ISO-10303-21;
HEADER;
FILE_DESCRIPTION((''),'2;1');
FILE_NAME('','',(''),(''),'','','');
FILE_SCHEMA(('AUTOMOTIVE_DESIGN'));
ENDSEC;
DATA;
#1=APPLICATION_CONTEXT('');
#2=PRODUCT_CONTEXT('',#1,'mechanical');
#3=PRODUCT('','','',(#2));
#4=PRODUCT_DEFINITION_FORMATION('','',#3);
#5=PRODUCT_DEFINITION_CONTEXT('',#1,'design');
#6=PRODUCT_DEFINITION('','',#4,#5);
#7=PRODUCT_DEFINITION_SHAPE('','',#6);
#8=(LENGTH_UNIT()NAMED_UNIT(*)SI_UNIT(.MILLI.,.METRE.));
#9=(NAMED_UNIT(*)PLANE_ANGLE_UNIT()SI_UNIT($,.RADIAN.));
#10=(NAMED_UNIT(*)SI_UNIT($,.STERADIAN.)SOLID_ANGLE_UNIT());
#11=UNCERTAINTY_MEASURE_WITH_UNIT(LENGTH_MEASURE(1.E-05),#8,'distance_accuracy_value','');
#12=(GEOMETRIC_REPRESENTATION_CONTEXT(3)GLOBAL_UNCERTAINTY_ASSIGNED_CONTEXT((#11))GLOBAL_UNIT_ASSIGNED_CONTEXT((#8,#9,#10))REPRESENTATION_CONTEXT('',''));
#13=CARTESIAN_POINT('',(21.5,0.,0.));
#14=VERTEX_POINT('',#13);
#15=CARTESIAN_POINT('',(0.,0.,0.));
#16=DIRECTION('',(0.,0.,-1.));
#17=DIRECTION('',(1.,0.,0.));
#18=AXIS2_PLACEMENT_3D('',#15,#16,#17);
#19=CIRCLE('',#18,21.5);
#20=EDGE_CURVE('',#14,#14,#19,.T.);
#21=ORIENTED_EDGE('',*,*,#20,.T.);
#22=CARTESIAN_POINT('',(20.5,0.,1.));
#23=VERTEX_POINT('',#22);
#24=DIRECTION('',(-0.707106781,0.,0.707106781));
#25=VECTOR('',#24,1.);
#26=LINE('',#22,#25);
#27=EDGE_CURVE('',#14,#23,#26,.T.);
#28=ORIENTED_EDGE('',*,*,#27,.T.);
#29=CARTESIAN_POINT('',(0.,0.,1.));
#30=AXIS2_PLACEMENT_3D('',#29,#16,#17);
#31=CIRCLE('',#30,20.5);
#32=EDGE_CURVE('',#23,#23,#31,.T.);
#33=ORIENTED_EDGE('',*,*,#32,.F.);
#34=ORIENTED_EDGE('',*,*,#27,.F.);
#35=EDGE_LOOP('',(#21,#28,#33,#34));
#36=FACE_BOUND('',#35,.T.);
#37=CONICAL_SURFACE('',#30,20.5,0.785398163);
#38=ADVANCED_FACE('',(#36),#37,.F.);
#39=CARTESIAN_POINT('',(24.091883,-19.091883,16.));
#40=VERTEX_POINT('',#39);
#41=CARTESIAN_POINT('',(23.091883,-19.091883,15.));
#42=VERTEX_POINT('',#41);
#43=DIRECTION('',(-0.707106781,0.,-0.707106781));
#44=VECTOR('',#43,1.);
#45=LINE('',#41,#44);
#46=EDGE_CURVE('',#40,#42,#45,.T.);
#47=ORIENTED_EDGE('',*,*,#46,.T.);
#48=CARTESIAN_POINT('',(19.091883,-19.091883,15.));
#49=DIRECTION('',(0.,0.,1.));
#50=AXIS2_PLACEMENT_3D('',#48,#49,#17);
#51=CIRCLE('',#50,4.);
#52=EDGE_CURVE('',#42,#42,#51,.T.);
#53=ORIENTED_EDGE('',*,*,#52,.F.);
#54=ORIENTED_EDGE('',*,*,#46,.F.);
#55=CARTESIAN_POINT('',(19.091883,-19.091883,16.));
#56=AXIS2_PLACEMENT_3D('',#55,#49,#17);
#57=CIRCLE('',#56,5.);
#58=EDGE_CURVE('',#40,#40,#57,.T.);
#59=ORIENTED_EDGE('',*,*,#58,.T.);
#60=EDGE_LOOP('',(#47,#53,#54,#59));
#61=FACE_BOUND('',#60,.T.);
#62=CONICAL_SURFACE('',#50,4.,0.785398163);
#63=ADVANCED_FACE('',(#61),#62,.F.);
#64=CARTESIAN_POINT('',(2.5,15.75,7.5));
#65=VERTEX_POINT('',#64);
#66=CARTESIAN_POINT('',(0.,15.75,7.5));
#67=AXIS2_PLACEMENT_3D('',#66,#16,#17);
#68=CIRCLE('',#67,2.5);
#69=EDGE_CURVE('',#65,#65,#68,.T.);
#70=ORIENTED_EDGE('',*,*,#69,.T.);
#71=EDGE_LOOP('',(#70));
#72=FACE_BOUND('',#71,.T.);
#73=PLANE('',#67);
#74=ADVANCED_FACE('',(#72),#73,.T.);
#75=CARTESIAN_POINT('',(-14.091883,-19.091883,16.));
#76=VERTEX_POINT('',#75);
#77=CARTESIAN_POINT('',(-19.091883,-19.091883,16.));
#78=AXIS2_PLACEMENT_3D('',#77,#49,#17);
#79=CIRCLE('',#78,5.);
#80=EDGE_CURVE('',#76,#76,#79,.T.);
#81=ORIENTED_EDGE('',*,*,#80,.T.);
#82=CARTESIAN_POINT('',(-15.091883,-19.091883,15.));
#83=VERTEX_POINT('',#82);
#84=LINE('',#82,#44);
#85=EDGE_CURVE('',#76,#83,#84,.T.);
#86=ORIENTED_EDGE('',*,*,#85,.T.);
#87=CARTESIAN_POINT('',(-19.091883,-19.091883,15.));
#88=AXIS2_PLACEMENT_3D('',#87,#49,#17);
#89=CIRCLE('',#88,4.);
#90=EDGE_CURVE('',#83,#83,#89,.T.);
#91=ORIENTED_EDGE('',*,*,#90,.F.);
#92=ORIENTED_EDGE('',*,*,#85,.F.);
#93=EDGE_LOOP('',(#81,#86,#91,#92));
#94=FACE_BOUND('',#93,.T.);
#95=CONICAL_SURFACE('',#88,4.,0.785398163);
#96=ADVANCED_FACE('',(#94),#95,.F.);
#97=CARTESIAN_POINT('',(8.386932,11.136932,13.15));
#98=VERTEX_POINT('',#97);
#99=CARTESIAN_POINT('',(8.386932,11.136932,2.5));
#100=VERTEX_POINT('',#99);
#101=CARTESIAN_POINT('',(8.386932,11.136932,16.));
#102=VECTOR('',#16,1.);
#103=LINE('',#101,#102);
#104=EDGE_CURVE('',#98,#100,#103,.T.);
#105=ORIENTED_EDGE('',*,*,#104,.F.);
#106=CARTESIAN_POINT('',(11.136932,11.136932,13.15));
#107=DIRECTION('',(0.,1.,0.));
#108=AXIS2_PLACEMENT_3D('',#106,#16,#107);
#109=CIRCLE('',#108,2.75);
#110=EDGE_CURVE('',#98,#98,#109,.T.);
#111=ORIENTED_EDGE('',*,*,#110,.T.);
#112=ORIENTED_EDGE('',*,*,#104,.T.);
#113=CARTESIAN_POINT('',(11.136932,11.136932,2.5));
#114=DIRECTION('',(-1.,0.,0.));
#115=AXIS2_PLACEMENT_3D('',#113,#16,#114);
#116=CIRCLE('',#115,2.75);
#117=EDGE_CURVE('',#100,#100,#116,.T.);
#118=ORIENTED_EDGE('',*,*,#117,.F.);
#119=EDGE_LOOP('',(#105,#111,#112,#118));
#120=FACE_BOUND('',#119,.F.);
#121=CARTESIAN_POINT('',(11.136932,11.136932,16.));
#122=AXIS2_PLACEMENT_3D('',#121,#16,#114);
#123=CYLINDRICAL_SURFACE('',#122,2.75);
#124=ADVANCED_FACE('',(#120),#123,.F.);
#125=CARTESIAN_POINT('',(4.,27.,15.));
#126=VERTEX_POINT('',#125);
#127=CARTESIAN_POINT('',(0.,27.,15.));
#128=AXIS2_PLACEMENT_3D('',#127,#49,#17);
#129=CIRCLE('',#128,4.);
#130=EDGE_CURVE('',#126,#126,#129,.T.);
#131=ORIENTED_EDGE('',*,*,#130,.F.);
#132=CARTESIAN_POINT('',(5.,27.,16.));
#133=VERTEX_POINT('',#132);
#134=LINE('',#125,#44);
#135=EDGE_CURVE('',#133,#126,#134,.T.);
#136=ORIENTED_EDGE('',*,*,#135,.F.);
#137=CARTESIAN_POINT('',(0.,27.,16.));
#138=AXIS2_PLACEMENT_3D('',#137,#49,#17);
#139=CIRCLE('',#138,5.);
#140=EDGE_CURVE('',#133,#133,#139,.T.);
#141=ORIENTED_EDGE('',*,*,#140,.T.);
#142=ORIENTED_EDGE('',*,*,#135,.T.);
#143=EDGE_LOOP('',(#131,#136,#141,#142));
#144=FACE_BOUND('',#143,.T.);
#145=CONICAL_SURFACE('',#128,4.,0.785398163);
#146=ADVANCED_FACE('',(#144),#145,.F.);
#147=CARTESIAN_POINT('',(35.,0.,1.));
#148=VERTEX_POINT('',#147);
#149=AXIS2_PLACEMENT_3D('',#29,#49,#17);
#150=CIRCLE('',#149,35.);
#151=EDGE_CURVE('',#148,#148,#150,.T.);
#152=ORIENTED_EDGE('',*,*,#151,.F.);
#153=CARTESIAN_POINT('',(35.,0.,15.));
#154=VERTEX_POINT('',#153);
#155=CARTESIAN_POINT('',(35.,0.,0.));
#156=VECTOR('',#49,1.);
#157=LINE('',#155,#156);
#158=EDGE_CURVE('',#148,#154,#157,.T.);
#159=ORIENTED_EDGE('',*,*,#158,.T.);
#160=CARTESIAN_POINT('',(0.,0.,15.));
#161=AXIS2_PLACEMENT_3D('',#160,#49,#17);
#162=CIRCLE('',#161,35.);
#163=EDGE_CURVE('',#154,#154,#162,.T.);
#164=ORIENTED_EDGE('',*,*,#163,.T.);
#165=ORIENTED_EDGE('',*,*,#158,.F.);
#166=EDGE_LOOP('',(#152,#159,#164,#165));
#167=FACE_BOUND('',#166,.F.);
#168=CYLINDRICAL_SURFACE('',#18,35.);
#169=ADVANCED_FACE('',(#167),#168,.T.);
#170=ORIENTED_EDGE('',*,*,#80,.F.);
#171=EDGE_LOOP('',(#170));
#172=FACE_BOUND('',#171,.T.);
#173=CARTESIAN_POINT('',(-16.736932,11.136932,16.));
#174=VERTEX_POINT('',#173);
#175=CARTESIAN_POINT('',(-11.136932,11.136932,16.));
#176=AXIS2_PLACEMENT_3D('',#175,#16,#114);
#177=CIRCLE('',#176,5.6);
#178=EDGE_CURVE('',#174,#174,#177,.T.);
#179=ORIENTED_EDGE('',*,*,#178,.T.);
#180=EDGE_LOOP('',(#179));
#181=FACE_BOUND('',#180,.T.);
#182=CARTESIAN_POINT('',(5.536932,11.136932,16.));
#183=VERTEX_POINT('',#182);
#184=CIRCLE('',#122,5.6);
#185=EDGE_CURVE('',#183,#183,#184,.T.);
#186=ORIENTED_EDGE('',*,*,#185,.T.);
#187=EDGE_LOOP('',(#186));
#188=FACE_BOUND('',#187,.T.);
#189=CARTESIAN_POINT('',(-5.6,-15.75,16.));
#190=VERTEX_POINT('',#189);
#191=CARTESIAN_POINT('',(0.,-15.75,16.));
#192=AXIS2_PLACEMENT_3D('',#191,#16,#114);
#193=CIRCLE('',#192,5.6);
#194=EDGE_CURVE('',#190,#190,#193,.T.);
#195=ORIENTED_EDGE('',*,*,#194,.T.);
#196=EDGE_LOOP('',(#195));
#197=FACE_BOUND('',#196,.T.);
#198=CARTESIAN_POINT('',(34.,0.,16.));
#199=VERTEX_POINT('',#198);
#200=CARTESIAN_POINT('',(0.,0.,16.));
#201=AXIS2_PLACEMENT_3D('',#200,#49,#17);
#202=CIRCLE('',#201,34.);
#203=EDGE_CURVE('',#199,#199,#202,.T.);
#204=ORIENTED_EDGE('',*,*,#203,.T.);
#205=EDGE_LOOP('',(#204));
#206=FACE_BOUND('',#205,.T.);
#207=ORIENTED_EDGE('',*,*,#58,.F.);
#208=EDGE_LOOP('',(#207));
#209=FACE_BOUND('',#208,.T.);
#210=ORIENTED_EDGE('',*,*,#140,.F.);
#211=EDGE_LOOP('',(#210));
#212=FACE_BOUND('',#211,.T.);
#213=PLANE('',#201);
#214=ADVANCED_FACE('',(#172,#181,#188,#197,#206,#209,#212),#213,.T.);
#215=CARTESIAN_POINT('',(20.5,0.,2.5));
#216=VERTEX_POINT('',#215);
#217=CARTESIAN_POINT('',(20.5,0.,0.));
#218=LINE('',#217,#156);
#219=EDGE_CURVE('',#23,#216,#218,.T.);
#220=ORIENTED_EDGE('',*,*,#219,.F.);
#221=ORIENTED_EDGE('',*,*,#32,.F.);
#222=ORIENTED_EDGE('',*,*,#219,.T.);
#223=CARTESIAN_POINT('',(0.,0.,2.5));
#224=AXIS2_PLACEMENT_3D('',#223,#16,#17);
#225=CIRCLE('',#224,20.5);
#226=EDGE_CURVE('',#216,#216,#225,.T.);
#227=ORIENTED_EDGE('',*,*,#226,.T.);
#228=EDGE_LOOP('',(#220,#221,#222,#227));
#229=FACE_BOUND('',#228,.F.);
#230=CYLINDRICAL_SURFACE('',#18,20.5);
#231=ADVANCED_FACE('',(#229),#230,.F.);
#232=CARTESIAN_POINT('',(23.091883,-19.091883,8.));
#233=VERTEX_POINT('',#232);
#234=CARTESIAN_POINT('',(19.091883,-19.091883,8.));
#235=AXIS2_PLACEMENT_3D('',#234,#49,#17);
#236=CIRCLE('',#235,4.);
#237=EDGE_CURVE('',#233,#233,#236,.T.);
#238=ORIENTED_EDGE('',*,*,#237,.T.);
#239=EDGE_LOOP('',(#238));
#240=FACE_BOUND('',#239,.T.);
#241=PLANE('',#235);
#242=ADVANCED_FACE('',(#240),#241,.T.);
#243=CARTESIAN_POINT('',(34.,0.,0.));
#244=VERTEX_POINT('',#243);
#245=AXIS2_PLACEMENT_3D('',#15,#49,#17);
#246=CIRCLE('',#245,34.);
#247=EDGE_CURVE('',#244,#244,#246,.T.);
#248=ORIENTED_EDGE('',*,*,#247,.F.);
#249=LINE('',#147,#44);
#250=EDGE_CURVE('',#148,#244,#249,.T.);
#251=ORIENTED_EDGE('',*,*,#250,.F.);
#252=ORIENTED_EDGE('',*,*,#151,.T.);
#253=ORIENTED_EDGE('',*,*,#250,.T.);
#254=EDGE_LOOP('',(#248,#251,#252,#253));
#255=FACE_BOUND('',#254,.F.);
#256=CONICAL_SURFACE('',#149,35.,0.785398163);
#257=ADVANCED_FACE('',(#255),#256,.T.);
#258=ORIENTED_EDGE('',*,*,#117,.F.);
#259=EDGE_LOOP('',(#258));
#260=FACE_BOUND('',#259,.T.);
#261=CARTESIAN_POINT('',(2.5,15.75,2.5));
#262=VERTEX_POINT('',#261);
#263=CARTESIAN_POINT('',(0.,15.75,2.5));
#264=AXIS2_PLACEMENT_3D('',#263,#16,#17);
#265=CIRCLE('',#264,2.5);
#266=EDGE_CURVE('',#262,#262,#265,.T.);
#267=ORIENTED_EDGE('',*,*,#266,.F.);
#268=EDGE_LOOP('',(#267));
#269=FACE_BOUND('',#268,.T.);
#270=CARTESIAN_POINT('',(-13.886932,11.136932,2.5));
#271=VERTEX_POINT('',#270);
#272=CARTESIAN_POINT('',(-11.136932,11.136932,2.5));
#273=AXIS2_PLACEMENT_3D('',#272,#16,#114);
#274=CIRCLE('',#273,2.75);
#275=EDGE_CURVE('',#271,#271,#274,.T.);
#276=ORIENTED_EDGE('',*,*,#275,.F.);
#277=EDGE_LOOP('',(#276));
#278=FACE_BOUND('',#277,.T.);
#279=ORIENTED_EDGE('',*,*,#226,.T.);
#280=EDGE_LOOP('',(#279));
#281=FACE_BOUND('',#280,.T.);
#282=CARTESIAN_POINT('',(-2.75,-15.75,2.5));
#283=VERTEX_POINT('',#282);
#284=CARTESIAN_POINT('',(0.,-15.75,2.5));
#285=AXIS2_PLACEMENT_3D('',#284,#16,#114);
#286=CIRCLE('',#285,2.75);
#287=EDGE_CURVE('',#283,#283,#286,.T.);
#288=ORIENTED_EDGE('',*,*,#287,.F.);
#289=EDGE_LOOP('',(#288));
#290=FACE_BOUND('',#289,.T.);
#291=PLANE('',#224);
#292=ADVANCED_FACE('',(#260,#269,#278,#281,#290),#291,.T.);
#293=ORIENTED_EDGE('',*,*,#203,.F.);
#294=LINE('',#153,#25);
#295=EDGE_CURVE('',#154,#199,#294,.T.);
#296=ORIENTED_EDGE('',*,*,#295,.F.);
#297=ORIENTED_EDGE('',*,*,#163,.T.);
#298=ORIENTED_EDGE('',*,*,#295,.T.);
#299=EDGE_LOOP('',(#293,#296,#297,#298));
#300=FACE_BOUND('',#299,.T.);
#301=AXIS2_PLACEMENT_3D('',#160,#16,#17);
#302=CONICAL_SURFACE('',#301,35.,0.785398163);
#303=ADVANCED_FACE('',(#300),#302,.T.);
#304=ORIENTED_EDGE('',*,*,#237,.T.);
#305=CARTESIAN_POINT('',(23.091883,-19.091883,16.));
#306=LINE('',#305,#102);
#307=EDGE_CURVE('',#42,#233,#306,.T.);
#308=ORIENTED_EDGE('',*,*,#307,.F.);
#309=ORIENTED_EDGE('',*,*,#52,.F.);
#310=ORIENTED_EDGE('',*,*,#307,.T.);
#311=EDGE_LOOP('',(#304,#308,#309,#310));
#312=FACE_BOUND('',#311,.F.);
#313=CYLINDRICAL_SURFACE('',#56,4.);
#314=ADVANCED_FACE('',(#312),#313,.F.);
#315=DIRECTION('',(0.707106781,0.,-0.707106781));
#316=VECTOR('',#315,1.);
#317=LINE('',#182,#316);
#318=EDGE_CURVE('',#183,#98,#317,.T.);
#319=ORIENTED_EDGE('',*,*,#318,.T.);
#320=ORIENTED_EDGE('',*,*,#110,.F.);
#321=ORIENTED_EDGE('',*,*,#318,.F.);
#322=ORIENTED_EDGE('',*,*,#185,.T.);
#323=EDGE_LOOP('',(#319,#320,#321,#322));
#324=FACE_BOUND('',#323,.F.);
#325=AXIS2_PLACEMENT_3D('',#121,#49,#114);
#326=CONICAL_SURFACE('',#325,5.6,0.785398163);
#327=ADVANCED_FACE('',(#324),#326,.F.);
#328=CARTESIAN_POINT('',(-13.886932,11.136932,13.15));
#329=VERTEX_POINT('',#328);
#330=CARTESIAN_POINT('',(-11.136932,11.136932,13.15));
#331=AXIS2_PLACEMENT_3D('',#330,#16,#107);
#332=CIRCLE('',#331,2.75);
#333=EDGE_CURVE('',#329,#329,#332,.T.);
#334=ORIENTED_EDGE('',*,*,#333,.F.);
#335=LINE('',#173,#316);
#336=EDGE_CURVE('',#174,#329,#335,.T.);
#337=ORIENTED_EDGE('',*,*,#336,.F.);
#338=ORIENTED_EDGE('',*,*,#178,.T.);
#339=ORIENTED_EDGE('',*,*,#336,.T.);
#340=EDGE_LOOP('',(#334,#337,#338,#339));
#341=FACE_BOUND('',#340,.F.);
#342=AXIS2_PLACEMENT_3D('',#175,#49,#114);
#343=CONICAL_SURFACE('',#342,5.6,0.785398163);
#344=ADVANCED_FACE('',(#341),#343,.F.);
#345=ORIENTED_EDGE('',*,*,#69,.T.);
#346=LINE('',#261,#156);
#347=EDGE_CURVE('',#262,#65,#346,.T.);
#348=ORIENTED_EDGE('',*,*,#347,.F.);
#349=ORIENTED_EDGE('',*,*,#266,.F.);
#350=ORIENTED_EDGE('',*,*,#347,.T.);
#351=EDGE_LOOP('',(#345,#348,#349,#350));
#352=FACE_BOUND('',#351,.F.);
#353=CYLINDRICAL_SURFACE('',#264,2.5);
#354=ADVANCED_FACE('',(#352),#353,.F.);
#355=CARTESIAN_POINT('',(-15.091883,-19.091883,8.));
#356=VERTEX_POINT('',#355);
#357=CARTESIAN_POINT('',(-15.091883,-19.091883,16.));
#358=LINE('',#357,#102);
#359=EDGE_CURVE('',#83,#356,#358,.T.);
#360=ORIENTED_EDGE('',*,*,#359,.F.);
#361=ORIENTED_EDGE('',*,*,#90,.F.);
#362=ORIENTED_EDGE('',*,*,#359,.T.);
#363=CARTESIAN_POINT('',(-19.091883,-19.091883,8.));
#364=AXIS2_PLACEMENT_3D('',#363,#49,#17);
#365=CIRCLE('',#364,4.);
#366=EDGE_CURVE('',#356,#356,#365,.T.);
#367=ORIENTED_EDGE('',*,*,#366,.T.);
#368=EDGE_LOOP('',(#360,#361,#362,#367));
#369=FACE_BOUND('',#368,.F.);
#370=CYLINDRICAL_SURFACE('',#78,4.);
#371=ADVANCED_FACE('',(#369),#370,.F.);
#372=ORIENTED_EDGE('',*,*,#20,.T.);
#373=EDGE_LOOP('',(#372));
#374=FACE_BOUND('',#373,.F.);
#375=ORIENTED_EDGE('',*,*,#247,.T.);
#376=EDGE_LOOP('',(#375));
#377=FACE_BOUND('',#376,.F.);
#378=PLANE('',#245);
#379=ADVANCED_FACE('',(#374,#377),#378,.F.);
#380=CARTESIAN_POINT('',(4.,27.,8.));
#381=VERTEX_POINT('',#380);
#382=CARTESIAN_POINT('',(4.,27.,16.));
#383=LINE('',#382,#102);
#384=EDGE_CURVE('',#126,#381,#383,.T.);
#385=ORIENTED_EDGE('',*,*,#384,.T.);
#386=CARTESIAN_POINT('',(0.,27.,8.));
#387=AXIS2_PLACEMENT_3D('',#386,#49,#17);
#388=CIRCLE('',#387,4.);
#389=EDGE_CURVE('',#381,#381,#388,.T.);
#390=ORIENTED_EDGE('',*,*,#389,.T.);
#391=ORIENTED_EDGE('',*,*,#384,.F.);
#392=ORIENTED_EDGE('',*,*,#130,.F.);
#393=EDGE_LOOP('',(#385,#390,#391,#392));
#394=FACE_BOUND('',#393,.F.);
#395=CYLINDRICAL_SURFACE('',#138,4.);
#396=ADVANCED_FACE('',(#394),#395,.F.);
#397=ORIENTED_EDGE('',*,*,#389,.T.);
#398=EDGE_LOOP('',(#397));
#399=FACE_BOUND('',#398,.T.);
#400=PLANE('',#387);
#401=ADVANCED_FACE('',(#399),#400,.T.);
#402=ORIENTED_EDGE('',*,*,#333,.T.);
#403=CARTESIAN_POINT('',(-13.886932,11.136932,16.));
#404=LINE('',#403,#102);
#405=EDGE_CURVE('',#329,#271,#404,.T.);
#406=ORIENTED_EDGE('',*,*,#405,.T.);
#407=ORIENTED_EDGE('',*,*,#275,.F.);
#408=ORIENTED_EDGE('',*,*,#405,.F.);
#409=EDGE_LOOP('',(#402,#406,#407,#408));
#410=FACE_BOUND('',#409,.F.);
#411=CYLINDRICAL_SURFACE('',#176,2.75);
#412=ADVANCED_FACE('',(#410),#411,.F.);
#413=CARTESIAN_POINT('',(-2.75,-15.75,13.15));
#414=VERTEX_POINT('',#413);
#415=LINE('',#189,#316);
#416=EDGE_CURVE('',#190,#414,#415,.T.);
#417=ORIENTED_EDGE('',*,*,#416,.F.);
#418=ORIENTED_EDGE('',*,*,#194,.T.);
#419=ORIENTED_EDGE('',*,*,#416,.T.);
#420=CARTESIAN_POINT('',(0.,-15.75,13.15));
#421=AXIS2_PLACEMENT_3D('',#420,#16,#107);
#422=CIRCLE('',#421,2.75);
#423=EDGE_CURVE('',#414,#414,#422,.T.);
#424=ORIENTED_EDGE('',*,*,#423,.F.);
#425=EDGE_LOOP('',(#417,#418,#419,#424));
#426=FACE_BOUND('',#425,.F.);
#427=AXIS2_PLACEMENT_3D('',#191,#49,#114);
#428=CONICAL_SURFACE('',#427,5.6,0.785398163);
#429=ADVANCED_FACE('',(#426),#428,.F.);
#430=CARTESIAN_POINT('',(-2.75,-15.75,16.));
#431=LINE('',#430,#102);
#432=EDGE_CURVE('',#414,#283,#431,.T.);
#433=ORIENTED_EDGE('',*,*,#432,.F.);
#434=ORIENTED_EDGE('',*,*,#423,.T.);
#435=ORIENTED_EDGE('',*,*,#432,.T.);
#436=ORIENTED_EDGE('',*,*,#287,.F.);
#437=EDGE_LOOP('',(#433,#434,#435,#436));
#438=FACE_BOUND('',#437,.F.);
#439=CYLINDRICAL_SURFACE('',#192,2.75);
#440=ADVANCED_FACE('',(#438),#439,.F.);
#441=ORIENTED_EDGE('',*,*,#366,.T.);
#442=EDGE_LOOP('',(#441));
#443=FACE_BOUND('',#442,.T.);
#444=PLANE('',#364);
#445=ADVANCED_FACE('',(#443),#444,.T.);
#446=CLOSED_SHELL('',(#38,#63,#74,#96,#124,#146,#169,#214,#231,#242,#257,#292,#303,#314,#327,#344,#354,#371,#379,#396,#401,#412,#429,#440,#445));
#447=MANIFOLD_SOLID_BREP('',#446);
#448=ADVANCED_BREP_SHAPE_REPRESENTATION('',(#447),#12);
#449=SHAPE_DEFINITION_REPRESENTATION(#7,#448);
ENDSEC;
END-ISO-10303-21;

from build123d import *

# Parameters (mm, degrees)
F0_R           = 35
F1_DEPTH       = 16
F2_R           = 20.5
F3_DEPTH       = 2.5
F4_R           = 4
F5_DEPTH       = 8
F6_D           = 5.5
F6_CSINK_D     = 11.2
F6_CSINK_ANGLE = 90
F7_R           = 2.5
F8_DEPTH       = 5
F9_SIZE        = 1


with BuildPart() as f1:
    # F0 (on Top) → F1 (new body)
    with BuildSketch(Plane.XY):
        Circle(F0_R)
    extrude(amount=F1_DEPTH)

    # F2 (on face) → F3 (cut)
    with BuildSketch(Plane(origin=(0, 0, 0), x_dir=(1, 0, 0), z_dir=(0, 0, -1))):
        Circle(F2_R)
    extrude(amount=-F3_DEPTH, mode=Mode.SUBTRACT)

    # F4 (on face) → F5 (cut)
    with BuildSketch(Plane.XY.offset(16)):
        with Locations((0, 27)):
            Circle(F4_R)
        with Locations((19.091883092, -19.091883092)):
            Circle(F4_R)
        with Locations((-19.091883092, -19.091883092)):
            Circle(F4_R)
    extrude(amount=-F5_DEPTH, mode=Mode.SUBTRACT)

    # F6 (through all)
    with Locations(Plane.XY.offset(16)):
        with Locations((-11.1369318037, 11.1369318037), (11.1369318037, 11.1369318037), (0, -15.75)):
            CounterSinkHole(F6_D / 2, F6_CSINK_D / 2, counter_sink_angle=F6_CSINK_ANGLE)

    # F7 (on face) → F8 (cut)
    with BuildSketch(Plane(origin=(0, 0, 2.5), x_dir=(1, 0, 0), z_dir=(0, 0, -1))):
        with Locations((0, -15.75)):
            Circle(F7_R)
    extrude(amount=-F8_DEPTH, mode=Mode.SUBTRACT)

    # F9
    f9_edges = [f1.edges().sort_by_distance(p)[0] for p in [
        (-20.5, 0, 0),
        (-35, 0, 0),
        (-35, 0, 16),
        (-23.091883, -19.091883, 16),
        (-4, 27, 16),
        (15.091883, -19.091883, 16),
    ]]
    chamfer(f9_edges, length=F9_SIZE)


solid = f1.part
